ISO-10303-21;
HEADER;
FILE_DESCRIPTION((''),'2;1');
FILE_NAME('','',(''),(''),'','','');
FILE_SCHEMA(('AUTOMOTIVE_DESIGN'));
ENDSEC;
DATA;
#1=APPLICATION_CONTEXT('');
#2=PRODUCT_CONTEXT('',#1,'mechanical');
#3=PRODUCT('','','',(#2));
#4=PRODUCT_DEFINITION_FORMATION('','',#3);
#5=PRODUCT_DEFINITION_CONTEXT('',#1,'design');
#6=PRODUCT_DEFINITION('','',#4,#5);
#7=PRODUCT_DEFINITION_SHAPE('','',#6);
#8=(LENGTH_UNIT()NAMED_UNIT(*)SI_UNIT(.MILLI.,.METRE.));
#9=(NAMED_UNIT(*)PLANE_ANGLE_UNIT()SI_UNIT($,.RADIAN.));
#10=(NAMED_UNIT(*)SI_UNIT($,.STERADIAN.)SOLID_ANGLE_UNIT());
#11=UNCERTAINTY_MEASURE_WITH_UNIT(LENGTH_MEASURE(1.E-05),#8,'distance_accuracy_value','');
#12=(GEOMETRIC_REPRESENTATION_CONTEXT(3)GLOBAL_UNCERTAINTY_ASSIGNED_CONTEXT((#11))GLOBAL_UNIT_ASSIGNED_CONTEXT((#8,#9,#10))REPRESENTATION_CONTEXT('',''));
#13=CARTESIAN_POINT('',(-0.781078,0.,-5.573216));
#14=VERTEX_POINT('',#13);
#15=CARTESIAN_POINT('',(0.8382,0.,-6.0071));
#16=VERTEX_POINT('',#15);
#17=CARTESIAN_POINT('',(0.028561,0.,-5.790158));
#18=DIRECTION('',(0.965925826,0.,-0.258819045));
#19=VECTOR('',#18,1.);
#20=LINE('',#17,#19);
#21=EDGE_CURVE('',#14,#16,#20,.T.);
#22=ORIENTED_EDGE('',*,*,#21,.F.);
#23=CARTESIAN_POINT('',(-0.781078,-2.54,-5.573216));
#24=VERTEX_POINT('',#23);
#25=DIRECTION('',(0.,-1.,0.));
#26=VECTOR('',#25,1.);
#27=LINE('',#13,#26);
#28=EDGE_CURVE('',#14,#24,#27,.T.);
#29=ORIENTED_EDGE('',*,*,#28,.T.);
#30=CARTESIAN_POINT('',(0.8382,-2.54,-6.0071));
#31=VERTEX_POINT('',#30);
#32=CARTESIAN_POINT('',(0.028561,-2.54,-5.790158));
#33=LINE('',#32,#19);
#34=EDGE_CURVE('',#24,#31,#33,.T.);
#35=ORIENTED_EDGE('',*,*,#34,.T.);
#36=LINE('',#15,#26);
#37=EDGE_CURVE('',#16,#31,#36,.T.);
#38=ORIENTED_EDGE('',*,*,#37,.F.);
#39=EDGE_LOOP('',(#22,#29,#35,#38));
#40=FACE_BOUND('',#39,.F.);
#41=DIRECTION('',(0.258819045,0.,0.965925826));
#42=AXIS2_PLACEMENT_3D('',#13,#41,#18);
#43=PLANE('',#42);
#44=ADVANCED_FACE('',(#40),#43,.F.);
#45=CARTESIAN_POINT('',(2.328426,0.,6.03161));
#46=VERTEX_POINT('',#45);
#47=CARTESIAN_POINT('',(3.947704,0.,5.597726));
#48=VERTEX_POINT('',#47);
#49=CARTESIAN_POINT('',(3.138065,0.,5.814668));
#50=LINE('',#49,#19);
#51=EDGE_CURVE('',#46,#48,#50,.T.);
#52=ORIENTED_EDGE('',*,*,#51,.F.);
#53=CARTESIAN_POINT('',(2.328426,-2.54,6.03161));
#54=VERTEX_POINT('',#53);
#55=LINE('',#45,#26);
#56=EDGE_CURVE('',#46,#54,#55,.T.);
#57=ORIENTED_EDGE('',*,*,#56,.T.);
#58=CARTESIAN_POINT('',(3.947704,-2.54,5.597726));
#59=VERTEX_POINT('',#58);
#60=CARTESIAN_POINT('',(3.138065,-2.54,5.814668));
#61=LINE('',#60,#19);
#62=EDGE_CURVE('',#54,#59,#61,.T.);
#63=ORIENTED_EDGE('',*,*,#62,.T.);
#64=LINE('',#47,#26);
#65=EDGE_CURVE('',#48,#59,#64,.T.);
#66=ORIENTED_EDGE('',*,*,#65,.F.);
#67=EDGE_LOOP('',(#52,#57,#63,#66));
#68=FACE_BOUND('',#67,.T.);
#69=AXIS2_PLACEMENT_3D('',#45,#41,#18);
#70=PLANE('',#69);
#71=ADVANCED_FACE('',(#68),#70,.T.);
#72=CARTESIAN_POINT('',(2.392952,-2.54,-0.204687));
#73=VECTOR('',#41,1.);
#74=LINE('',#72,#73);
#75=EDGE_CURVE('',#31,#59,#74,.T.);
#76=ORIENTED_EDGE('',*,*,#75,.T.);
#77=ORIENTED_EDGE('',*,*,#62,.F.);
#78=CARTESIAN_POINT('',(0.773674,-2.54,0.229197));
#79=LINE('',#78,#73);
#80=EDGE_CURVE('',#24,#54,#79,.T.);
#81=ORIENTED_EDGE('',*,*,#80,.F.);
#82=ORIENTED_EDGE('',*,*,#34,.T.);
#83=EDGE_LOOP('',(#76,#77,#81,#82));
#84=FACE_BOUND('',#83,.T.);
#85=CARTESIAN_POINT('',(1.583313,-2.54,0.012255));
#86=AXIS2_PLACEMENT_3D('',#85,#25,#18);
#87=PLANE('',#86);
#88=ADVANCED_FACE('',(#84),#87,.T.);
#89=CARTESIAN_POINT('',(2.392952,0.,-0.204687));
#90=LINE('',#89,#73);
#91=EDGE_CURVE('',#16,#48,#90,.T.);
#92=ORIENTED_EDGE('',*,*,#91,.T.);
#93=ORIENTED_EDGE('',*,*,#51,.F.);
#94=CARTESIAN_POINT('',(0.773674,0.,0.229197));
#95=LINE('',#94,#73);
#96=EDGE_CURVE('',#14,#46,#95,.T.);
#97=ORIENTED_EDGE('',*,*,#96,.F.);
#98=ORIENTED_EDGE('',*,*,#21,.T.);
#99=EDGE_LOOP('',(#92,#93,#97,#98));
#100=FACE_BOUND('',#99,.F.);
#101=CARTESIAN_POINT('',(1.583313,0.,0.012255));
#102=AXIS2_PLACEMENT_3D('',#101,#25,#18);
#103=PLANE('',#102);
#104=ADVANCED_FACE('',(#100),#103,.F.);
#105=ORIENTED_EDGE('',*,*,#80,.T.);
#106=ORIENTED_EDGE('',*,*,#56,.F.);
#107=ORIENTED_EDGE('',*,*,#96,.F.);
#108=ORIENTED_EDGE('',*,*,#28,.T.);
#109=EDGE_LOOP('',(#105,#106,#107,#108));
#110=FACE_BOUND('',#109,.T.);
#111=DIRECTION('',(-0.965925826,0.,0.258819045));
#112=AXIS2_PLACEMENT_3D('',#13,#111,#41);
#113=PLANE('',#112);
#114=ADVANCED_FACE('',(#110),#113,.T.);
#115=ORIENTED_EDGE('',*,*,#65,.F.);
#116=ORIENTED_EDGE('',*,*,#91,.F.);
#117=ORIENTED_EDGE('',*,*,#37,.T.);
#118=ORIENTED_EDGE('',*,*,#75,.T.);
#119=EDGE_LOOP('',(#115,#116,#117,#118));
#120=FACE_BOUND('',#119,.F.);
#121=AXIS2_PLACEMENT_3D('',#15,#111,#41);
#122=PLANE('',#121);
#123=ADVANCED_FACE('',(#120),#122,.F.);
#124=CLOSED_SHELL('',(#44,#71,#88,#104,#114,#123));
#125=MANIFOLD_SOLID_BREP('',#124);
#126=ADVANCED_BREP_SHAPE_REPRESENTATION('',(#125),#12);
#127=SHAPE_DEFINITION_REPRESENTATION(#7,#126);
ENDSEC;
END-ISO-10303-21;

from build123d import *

# Parameters (mm, degrees)
F0_W     = 1.6764
F0_H     = 12.0142
F1_DEPTH = 2.54
F2_ANGLE = 15


with BuildPart() as f1:
    # F0 (on Front) → F1 (new body)
    with BuildSketch(Plane.XZ):
        Rectangle(F0_W, F0_H)
    extrude(amount=F1_DEPTH)


with BuildPart() as f1_1:
    # F2: moved
    add(f1.part.rotate(Axis((0.8382, -1.27, -6.0071), (0, 1, 0)), F2_ANGLE))


solid = f1_1.part
